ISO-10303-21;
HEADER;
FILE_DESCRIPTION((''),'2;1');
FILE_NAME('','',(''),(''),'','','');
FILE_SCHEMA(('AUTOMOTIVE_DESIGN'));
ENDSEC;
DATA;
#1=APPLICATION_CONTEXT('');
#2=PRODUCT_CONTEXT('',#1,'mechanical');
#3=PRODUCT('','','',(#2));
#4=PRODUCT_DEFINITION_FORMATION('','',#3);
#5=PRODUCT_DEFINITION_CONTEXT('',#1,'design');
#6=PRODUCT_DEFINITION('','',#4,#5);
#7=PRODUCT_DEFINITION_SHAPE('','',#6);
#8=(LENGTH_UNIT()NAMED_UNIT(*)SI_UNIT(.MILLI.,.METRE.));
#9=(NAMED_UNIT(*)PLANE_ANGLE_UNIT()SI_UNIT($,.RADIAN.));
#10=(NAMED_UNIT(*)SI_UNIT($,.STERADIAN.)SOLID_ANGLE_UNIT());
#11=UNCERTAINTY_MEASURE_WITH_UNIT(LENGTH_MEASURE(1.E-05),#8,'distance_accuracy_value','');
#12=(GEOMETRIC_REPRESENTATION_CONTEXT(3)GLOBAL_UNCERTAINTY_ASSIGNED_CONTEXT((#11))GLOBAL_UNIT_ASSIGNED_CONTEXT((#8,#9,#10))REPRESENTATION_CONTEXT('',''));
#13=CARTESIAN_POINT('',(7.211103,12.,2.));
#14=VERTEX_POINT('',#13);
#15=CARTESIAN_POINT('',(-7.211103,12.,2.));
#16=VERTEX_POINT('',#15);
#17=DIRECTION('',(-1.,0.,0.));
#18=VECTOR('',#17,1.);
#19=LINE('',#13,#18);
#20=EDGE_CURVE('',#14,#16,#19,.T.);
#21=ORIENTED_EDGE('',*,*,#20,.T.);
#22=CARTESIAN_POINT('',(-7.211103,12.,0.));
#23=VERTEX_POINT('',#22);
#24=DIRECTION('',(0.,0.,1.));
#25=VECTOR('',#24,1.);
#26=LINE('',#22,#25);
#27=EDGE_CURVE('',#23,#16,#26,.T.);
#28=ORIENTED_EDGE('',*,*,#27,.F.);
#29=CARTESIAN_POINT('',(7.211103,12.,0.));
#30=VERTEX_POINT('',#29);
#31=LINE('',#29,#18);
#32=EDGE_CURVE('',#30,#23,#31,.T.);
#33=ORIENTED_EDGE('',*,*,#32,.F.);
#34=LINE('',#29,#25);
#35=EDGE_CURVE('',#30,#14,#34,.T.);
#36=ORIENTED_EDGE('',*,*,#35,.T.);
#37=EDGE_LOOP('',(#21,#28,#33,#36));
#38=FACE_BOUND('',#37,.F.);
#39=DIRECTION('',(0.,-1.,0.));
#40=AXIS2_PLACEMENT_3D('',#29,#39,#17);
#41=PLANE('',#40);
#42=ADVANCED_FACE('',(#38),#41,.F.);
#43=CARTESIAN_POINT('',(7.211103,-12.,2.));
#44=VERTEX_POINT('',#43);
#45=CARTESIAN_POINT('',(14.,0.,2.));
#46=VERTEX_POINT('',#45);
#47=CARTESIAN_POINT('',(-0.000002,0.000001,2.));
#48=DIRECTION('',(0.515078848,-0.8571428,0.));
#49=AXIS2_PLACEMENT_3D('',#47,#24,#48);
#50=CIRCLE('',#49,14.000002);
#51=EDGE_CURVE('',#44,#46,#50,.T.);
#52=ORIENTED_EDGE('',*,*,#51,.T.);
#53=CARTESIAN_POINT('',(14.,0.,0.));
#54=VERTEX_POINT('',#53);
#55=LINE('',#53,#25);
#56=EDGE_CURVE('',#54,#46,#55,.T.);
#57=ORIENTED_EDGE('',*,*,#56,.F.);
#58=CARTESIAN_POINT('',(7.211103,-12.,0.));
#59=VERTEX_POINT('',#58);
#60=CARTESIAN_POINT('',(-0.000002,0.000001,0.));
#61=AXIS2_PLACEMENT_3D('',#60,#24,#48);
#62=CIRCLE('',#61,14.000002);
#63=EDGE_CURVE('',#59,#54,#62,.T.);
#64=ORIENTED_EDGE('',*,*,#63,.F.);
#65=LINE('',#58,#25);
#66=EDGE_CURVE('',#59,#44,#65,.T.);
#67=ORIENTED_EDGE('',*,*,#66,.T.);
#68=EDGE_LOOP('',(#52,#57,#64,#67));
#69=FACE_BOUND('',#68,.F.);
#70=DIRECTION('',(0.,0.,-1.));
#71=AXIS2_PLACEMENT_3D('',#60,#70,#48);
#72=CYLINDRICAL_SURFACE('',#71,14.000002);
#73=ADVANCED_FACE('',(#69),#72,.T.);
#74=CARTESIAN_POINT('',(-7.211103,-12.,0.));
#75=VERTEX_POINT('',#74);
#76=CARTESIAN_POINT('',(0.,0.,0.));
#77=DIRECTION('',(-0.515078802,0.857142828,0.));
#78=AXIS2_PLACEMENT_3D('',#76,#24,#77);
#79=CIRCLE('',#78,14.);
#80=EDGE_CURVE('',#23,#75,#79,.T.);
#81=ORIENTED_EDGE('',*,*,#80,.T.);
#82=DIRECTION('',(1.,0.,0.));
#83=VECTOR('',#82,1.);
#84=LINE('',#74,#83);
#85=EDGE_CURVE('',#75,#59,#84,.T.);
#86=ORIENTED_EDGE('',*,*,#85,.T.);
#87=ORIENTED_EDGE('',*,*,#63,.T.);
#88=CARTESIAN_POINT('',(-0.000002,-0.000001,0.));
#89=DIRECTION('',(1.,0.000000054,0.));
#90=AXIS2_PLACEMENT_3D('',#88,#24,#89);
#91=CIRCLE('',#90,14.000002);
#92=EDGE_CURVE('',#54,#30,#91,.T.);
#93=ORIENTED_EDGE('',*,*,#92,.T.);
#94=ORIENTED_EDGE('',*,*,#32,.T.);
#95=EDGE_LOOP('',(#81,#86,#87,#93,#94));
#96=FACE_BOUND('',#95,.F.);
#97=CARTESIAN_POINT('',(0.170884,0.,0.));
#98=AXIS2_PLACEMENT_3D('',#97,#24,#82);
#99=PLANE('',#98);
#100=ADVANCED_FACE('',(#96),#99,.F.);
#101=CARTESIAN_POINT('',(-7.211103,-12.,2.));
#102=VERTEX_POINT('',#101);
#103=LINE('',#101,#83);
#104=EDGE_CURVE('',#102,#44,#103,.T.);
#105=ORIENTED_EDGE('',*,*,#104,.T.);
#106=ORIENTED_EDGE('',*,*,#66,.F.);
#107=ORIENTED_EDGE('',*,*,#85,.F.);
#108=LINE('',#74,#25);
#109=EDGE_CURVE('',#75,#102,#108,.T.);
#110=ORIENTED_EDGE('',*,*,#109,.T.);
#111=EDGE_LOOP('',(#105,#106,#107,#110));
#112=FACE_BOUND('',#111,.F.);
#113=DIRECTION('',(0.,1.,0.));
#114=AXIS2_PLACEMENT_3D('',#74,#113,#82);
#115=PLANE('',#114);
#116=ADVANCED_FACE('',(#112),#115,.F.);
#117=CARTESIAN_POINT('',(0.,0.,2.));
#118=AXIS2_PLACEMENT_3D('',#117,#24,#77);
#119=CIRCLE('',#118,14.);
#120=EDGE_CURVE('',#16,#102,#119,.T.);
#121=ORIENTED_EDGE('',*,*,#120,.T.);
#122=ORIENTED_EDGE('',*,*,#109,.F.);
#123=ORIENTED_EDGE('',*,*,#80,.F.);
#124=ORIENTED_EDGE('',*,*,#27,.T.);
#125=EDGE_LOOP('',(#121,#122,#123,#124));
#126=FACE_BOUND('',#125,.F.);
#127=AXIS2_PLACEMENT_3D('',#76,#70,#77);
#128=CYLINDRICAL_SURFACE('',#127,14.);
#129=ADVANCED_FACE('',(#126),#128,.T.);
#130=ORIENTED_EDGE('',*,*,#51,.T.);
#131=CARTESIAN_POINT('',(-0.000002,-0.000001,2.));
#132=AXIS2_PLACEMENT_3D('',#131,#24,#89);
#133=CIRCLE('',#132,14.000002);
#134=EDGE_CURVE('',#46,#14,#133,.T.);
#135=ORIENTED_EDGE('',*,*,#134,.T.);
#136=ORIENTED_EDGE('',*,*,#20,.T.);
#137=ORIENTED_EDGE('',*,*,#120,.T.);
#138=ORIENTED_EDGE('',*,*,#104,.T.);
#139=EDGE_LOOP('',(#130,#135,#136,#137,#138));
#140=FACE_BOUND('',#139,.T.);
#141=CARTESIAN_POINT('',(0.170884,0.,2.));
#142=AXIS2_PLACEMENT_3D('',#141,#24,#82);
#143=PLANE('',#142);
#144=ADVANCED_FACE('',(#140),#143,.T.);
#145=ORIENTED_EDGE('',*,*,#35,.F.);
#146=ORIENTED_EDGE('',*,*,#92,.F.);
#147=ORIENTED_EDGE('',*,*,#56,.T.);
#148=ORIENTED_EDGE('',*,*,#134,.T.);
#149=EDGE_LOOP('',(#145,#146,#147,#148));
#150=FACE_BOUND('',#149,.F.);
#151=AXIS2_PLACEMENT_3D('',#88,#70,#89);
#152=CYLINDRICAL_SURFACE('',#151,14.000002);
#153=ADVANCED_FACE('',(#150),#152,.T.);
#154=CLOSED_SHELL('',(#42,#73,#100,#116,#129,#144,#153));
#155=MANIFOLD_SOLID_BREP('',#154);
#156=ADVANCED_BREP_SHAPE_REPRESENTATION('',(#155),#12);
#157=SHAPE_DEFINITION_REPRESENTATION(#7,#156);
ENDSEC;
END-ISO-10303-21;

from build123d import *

# Parameters (mm, degrees)
F1_DEPTH = 2


with BuildPart() as f1:
    # F0 (on Top) → F1 (new body)
    with BuildSketch(Plane.XY):
        with BuildLine():
            ThreePointArc((7.211103, -12), (12.185143, -6.893641), (14, 0))
            ThreePointArc((14, 0), (12.185143, 6.893641), (7.211103, 12))
            Line((7.211103, 12), (0, 12))
            Line((0, 12), (-7.211103, 12))
            ThreePointArc((-7.211103, 12), (-14, 0), (-7.211103, -12))
            Line((-7.211103, -12), (7.211103, -12))
        make_face()
    extrude(amount=F1_DEPTH)


solid = f1.part
